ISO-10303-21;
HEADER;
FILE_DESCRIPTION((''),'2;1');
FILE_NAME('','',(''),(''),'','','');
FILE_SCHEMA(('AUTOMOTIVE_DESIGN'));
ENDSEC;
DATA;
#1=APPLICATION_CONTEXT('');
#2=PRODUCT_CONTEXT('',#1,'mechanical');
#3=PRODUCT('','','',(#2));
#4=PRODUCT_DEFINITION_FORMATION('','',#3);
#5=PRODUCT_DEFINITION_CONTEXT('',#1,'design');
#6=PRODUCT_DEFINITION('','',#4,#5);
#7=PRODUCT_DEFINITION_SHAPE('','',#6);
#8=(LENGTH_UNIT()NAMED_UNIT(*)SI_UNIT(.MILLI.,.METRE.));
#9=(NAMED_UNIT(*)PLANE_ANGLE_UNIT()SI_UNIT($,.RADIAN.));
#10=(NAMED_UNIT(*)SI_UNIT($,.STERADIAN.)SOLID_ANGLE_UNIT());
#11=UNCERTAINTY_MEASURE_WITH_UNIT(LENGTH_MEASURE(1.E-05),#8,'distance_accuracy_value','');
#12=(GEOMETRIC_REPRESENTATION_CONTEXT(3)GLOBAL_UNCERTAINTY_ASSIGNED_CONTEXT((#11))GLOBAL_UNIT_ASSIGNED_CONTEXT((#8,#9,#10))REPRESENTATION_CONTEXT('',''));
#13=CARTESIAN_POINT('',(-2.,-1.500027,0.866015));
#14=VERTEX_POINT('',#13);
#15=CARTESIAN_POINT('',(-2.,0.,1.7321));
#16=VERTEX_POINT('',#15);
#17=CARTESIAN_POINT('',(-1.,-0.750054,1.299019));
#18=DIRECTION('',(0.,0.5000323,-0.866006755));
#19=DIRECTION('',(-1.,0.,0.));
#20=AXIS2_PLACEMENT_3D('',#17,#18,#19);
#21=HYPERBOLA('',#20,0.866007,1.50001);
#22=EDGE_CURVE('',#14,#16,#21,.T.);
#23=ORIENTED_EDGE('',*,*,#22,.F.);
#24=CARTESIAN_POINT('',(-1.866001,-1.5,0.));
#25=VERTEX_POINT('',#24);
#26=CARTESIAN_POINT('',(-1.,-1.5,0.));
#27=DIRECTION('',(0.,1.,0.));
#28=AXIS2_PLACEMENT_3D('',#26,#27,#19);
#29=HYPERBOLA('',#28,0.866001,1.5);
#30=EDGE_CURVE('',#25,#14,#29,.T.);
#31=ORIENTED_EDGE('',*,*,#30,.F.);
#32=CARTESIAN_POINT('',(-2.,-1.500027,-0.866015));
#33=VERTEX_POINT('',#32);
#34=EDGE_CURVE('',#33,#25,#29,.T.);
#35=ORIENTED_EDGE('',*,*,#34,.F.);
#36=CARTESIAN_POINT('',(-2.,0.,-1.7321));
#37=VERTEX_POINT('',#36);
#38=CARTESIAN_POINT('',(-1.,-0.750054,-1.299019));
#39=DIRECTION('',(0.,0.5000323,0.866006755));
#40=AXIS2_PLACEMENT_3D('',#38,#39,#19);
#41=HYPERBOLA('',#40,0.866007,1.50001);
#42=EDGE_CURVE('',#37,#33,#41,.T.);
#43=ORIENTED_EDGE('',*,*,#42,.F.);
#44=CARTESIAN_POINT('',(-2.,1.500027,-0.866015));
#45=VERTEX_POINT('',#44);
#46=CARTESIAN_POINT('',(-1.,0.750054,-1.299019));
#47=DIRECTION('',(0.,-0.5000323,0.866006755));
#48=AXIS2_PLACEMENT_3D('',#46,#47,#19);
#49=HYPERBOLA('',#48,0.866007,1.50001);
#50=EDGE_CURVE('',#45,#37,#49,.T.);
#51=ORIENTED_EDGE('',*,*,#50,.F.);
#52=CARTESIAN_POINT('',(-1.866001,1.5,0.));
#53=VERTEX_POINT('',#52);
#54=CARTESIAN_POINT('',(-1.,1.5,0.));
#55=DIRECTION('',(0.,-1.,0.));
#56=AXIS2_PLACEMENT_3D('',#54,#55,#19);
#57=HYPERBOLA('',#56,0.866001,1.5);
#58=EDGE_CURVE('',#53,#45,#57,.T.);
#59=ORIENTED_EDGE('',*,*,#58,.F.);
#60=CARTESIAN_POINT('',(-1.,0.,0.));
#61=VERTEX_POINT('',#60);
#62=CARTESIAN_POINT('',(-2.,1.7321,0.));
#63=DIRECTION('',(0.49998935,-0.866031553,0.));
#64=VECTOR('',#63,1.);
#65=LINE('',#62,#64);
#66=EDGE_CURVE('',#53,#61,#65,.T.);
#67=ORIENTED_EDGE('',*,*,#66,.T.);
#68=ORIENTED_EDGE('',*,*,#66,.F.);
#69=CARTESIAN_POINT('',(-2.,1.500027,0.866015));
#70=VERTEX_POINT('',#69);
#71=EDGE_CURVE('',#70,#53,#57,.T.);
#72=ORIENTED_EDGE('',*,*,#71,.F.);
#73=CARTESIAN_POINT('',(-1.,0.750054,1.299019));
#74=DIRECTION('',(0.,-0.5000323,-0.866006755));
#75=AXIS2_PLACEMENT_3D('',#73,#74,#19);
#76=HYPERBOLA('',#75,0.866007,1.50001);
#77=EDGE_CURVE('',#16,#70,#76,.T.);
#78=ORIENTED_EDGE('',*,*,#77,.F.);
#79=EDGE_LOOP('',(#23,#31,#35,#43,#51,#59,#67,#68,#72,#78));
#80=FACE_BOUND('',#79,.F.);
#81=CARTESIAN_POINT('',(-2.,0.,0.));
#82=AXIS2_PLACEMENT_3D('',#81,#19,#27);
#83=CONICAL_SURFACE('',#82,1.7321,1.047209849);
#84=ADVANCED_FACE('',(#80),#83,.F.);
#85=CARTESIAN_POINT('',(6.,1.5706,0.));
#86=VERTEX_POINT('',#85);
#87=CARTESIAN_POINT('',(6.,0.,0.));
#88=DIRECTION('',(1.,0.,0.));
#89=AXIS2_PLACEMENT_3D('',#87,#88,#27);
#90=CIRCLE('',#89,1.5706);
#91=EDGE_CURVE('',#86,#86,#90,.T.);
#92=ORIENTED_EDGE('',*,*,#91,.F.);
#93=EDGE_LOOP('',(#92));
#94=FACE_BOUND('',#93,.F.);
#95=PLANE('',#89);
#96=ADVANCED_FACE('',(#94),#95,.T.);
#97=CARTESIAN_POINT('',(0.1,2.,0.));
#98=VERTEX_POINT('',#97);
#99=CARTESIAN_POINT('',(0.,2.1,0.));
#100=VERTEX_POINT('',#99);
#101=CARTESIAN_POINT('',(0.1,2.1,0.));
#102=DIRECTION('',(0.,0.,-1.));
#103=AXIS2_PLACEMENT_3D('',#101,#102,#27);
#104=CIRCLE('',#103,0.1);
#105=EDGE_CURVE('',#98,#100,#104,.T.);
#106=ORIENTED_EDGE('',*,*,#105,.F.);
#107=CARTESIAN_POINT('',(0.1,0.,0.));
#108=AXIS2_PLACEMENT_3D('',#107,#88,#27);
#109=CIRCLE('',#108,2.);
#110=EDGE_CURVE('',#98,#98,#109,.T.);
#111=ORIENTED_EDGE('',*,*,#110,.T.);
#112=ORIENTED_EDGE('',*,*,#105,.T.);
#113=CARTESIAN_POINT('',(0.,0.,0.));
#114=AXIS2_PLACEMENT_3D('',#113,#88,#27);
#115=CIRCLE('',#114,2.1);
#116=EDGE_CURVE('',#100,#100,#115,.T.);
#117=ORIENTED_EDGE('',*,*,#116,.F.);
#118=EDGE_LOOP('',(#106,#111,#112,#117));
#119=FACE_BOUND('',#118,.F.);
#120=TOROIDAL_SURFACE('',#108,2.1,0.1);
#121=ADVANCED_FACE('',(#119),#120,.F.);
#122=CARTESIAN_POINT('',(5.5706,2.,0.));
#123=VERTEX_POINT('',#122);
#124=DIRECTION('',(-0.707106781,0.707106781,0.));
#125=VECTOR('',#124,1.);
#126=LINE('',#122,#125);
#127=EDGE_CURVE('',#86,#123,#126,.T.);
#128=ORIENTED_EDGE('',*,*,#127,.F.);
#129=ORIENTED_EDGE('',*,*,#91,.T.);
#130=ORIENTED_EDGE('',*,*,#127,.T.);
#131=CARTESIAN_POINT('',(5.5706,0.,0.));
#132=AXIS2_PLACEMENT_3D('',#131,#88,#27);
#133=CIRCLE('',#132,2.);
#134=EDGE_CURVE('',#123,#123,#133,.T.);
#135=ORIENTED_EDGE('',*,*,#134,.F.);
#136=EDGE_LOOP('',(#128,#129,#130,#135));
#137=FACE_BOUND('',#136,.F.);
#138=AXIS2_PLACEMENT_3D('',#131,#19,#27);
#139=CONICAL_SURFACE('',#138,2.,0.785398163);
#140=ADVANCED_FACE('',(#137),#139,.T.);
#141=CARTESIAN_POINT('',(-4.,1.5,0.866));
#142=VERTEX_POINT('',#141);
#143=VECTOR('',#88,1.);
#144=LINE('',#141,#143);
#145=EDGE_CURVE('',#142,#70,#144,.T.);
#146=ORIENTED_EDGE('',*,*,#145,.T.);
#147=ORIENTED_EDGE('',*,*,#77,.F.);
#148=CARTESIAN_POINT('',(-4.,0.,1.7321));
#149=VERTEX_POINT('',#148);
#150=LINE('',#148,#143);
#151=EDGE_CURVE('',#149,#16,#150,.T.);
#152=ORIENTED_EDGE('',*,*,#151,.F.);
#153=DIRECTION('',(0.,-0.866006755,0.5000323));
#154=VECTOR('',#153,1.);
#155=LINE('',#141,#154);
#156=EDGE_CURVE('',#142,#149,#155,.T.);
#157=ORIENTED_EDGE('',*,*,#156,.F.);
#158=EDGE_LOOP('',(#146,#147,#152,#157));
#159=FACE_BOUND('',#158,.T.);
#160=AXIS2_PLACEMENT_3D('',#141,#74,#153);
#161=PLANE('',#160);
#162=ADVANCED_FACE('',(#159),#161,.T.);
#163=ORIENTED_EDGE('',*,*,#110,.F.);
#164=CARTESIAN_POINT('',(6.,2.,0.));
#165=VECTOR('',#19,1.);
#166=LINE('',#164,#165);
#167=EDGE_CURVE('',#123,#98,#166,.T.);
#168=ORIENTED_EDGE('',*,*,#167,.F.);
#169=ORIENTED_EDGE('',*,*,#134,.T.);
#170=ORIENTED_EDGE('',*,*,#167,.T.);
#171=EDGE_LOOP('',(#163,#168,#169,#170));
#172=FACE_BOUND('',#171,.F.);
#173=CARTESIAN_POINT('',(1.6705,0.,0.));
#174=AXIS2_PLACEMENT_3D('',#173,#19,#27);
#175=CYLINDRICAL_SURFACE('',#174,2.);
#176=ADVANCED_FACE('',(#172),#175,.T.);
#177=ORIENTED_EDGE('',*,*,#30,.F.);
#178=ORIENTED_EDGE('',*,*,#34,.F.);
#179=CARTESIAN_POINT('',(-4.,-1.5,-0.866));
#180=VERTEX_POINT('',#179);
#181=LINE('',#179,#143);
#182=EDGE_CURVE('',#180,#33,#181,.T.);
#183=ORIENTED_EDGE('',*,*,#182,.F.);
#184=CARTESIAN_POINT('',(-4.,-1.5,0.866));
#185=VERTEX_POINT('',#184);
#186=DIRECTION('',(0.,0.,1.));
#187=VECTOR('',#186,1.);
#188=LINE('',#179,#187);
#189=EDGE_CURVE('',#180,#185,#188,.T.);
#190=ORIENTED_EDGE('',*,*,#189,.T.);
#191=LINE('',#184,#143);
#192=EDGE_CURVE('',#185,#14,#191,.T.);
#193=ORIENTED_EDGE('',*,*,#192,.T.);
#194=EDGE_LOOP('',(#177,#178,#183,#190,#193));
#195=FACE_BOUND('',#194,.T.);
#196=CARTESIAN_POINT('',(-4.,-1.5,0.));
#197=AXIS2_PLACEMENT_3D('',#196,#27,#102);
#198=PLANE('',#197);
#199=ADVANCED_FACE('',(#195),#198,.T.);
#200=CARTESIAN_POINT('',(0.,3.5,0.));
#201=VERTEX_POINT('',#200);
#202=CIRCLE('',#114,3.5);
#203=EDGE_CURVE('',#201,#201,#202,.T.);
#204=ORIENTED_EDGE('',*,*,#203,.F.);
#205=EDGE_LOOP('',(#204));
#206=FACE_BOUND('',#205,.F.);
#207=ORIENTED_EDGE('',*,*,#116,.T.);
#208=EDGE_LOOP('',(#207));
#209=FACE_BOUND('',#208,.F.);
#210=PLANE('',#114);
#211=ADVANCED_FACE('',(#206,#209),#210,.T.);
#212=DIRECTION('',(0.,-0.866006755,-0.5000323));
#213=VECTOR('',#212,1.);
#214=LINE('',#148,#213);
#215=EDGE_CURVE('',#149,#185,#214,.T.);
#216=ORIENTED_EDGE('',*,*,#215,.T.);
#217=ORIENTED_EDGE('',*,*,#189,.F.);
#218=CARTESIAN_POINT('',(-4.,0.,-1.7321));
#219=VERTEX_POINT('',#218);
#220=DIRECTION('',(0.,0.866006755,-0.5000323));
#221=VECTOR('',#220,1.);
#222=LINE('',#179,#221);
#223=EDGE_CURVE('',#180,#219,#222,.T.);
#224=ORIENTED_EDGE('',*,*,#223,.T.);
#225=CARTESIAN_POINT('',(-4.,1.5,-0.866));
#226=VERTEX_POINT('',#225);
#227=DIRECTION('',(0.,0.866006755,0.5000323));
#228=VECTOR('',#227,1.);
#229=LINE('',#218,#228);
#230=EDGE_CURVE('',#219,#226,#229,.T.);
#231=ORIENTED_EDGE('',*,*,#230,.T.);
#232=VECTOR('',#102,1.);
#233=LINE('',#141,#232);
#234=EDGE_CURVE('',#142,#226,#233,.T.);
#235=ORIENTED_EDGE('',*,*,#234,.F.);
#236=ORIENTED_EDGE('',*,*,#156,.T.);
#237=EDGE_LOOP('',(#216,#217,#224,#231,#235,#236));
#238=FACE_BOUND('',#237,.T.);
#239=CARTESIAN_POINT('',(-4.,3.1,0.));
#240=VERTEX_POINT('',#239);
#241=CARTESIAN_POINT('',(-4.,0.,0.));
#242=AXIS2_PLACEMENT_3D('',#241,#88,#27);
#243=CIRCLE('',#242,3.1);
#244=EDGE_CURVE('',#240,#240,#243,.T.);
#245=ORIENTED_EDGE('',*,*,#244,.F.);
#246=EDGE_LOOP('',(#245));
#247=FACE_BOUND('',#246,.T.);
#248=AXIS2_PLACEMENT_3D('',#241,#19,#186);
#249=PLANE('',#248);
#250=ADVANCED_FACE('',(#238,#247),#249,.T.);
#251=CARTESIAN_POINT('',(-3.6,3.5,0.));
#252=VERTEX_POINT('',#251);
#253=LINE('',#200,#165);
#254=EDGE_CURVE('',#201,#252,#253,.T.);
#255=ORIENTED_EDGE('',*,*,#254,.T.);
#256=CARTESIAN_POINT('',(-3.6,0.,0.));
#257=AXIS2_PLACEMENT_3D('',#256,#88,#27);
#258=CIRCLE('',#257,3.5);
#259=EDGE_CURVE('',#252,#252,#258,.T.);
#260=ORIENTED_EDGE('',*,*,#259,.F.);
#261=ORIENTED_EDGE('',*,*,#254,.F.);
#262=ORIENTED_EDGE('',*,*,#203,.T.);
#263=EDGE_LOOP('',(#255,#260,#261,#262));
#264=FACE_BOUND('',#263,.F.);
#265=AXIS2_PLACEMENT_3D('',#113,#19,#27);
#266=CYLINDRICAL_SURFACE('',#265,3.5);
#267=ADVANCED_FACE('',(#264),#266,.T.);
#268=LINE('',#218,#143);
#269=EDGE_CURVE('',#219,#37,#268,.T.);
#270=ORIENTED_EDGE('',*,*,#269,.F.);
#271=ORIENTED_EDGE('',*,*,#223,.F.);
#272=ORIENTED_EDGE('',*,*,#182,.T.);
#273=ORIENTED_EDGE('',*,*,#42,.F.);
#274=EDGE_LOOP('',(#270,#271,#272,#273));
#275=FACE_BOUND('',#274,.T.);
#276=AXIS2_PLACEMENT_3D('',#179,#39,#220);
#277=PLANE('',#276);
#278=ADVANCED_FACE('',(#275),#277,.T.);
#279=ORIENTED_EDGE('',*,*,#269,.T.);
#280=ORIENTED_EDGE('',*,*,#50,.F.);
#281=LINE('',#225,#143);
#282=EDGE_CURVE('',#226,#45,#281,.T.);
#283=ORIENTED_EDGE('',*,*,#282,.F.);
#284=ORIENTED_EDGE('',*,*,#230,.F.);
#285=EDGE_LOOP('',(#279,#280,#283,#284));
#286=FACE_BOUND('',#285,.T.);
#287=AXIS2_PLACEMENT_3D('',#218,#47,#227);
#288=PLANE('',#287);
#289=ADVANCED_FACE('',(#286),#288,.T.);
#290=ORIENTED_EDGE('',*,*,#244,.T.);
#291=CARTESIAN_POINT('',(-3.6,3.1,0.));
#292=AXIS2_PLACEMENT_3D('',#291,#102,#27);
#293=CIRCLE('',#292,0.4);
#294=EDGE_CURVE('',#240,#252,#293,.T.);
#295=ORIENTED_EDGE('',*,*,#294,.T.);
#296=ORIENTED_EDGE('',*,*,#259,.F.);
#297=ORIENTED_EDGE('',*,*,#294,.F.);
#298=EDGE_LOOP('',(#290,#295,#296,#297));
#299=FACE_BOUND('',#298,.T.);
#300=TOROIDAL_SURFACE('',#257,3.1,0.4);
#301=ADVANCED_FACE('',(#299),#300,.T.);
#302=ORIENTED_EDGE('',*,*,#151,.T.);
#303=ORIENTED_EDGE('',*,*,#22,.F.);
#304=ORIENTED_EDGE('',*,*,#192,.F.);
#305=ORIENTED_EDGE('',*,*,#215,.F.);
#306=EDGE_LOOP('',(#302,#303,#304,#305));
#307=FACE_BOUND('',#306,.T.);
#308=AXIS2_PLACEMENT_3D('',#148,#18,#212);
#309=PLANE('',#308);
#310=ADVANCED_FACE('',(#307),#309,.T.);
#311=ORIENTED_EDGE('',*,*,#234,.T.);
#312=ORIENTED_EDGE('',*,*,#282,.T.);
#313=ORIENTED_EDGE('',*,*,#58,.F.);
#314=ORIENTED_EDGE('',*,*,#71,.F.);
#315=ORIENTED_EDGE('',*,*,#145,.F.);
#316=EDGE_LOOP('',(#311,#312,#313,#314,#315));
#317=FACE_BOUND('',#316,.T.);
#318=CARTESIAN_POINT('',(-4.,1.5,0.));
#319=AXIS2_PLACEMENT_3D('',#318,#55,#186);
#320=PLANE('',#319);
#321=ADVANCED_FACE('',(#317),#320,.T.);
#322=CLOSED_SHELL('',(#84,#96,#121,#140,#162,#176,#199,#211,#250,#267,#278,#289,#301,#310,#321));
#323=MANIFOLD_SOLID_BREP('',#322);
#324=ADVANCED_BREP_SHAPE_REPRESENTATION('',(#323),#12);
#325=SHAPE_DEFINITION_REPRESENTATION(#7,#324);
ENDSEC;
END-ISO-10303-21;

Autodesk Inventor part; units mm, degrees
ref_plane "YZ Plane" through (0, 0, 0) normal (1, 0, 0) x (0, 1, 0)
ref_plane "XZ Plane" through (0, 0, 0) normal (0, 1, 0) x (-1, 0, 0)
sketch "Эскиз1" plane through (0, 0, 0) normal (0, 0, 1) x (1, 0, 0)
  line L0 (-1, 0) -> (6, 0)
  line L1 (6, 0) -> (6, 2)
  line L2 (6, 2) -> (2.1, 2)
  line L3 (2.1, 2) -> (1.6705, 2)
  line L4 (1.6705, 2) -> (0, 2)
  line L5 (0, 2) -> (0, 3.5)
  line L6 (0, 3.5) -> (-4, 3.5)
  line L7 (-4, 3.5) -> (-4, 1.7321)
  line L8 (-4, 1.7321) -> (-2, 1.7321)
  line L9 (-2, 1.7321) -> (-1, 0)
  line L10 (-6, 0) -> (8, 0) projected
  line L11 (0, -0.7) -> (0, 4.2) projected
  line L12 (2.1, 2) -> (0, 2) construction
  dimension "d1" = 3.9
  dimension "d2" = 0.4295
  dimension "d3" = 4
  dimension "d4" = 2
  dimension "d5" = 60
  dimension "d6" = 4
  dimension "d7" = 4
  dimension "d8" = 3.4641
  dimension "d9" = 7
  dimension "d26" = 6
revolve "Базовый элемент" add sketch "Эскиз1" angle 360 about axis through (-1, 0, 0) along (1, 0, 0)
sketch "Эскиз2" plane through (-4, 0, 0) normal (-1, 0, 0) x (0, 0, 1)
  circle A0 centre (0, 0) radius 1.7321 projected
  line L0 (0, -4.9) -> (0, 4.9) projected
  line L1 (-4.9, 0) -> (4.9, 0) projected
  line L2 (1.7321, 0) -> (0.866, -1.5)
  line L3 (0.866, -1.5) -> (-0.866, -1.5)
  line L4 (-0.866, -1.5) -> (-1.7321, 0)
  line L5 (-1.7321, 0) -> (-0.866, 1.5)
  line L6 (-0.866, 1.5) -> (0.866, 1.5)
  line L7 (0.866, 1.5) -> (1.7321, 0)
extrude "Паз" add sketch "Эскиз2" against normal up to next contours L7 A0 | A0 L2 | L6 L0 A0 | A0 L0 L3 | L0 L6 A0 | A0 L3 L0 | L4 A0 | A0 L5
fillet "Сопряжение1" radius 0.4 1 edges at (-4, -3.5, 0)
thread "Резьба" size "M4x0.7" class "6g" standard "ISO Metric profile" length 3.9
chamfer "Фаска1" distance 0.4294 distance2 0.4294 1 edges at (6, -2, 0) measured on face at (6, 0.556, 0.0273)
ref_plane "Work Plane1" through (29, 0, 0) normal (0, -1, 0) x (1, 0, 0)
fillet "Fillet2" radius 0.1 1 edges at (0, -2, 0)
equation "\"d1\" = GEL"
equation "\"d3\" = KOH"
equation "\"d4\" = INTI"
equation "\"d6\" = GD"
equation "\"d7\" = BDM"
equation "\"d8\" = 1.1547 * SW"
equation "\"d9\" = KOD"
equation "\"d26\" = NLG"
equation "\"d30\" = R"
equation "\"d17\" = RR"
equation "\"d13\" = GEL"
equation "\"d15\" = -0.5 * SPD + 0.5 * GD"
equation "\"d16\" = GUL"
equation "\"GD\" = NND"
equation "\"NLG\" = 6"
equation "\"GEL\" = 3.9"
equation "\"KOD\" = 7"
equation "\"KOH\" = NND"
equation "\"INTI\" = 2"
equation "\"GAL\" = 0.61345 * PTC"
equation "\"GUL\" = 0.61345 * PTC"
equation "\"BDM\" = NND"
equation "\"SW\" = 3"
equation "\"RR\" = 0.4"
equation "\"SPD\" = NND - 1.2269 * PTC"
equation "\"R\" = 0.1"
equation "\"TOA\" = 30deg"
equation "\"GD1\" = THREADDIA - 1.2269 * PTC"
equation "\"THREADDIA\" = 4"
equation "\"FAWI\" = 45deg"
equation "\"PTC\" = 0.7"
equation "\"NND\" = 4"
equation "\"E0\" = 1.155 * SW"
equation "\"PHH\" = 0"
properties part number "CSN 02 1143 - M4 x 6" material "Сталь, мягкая"
